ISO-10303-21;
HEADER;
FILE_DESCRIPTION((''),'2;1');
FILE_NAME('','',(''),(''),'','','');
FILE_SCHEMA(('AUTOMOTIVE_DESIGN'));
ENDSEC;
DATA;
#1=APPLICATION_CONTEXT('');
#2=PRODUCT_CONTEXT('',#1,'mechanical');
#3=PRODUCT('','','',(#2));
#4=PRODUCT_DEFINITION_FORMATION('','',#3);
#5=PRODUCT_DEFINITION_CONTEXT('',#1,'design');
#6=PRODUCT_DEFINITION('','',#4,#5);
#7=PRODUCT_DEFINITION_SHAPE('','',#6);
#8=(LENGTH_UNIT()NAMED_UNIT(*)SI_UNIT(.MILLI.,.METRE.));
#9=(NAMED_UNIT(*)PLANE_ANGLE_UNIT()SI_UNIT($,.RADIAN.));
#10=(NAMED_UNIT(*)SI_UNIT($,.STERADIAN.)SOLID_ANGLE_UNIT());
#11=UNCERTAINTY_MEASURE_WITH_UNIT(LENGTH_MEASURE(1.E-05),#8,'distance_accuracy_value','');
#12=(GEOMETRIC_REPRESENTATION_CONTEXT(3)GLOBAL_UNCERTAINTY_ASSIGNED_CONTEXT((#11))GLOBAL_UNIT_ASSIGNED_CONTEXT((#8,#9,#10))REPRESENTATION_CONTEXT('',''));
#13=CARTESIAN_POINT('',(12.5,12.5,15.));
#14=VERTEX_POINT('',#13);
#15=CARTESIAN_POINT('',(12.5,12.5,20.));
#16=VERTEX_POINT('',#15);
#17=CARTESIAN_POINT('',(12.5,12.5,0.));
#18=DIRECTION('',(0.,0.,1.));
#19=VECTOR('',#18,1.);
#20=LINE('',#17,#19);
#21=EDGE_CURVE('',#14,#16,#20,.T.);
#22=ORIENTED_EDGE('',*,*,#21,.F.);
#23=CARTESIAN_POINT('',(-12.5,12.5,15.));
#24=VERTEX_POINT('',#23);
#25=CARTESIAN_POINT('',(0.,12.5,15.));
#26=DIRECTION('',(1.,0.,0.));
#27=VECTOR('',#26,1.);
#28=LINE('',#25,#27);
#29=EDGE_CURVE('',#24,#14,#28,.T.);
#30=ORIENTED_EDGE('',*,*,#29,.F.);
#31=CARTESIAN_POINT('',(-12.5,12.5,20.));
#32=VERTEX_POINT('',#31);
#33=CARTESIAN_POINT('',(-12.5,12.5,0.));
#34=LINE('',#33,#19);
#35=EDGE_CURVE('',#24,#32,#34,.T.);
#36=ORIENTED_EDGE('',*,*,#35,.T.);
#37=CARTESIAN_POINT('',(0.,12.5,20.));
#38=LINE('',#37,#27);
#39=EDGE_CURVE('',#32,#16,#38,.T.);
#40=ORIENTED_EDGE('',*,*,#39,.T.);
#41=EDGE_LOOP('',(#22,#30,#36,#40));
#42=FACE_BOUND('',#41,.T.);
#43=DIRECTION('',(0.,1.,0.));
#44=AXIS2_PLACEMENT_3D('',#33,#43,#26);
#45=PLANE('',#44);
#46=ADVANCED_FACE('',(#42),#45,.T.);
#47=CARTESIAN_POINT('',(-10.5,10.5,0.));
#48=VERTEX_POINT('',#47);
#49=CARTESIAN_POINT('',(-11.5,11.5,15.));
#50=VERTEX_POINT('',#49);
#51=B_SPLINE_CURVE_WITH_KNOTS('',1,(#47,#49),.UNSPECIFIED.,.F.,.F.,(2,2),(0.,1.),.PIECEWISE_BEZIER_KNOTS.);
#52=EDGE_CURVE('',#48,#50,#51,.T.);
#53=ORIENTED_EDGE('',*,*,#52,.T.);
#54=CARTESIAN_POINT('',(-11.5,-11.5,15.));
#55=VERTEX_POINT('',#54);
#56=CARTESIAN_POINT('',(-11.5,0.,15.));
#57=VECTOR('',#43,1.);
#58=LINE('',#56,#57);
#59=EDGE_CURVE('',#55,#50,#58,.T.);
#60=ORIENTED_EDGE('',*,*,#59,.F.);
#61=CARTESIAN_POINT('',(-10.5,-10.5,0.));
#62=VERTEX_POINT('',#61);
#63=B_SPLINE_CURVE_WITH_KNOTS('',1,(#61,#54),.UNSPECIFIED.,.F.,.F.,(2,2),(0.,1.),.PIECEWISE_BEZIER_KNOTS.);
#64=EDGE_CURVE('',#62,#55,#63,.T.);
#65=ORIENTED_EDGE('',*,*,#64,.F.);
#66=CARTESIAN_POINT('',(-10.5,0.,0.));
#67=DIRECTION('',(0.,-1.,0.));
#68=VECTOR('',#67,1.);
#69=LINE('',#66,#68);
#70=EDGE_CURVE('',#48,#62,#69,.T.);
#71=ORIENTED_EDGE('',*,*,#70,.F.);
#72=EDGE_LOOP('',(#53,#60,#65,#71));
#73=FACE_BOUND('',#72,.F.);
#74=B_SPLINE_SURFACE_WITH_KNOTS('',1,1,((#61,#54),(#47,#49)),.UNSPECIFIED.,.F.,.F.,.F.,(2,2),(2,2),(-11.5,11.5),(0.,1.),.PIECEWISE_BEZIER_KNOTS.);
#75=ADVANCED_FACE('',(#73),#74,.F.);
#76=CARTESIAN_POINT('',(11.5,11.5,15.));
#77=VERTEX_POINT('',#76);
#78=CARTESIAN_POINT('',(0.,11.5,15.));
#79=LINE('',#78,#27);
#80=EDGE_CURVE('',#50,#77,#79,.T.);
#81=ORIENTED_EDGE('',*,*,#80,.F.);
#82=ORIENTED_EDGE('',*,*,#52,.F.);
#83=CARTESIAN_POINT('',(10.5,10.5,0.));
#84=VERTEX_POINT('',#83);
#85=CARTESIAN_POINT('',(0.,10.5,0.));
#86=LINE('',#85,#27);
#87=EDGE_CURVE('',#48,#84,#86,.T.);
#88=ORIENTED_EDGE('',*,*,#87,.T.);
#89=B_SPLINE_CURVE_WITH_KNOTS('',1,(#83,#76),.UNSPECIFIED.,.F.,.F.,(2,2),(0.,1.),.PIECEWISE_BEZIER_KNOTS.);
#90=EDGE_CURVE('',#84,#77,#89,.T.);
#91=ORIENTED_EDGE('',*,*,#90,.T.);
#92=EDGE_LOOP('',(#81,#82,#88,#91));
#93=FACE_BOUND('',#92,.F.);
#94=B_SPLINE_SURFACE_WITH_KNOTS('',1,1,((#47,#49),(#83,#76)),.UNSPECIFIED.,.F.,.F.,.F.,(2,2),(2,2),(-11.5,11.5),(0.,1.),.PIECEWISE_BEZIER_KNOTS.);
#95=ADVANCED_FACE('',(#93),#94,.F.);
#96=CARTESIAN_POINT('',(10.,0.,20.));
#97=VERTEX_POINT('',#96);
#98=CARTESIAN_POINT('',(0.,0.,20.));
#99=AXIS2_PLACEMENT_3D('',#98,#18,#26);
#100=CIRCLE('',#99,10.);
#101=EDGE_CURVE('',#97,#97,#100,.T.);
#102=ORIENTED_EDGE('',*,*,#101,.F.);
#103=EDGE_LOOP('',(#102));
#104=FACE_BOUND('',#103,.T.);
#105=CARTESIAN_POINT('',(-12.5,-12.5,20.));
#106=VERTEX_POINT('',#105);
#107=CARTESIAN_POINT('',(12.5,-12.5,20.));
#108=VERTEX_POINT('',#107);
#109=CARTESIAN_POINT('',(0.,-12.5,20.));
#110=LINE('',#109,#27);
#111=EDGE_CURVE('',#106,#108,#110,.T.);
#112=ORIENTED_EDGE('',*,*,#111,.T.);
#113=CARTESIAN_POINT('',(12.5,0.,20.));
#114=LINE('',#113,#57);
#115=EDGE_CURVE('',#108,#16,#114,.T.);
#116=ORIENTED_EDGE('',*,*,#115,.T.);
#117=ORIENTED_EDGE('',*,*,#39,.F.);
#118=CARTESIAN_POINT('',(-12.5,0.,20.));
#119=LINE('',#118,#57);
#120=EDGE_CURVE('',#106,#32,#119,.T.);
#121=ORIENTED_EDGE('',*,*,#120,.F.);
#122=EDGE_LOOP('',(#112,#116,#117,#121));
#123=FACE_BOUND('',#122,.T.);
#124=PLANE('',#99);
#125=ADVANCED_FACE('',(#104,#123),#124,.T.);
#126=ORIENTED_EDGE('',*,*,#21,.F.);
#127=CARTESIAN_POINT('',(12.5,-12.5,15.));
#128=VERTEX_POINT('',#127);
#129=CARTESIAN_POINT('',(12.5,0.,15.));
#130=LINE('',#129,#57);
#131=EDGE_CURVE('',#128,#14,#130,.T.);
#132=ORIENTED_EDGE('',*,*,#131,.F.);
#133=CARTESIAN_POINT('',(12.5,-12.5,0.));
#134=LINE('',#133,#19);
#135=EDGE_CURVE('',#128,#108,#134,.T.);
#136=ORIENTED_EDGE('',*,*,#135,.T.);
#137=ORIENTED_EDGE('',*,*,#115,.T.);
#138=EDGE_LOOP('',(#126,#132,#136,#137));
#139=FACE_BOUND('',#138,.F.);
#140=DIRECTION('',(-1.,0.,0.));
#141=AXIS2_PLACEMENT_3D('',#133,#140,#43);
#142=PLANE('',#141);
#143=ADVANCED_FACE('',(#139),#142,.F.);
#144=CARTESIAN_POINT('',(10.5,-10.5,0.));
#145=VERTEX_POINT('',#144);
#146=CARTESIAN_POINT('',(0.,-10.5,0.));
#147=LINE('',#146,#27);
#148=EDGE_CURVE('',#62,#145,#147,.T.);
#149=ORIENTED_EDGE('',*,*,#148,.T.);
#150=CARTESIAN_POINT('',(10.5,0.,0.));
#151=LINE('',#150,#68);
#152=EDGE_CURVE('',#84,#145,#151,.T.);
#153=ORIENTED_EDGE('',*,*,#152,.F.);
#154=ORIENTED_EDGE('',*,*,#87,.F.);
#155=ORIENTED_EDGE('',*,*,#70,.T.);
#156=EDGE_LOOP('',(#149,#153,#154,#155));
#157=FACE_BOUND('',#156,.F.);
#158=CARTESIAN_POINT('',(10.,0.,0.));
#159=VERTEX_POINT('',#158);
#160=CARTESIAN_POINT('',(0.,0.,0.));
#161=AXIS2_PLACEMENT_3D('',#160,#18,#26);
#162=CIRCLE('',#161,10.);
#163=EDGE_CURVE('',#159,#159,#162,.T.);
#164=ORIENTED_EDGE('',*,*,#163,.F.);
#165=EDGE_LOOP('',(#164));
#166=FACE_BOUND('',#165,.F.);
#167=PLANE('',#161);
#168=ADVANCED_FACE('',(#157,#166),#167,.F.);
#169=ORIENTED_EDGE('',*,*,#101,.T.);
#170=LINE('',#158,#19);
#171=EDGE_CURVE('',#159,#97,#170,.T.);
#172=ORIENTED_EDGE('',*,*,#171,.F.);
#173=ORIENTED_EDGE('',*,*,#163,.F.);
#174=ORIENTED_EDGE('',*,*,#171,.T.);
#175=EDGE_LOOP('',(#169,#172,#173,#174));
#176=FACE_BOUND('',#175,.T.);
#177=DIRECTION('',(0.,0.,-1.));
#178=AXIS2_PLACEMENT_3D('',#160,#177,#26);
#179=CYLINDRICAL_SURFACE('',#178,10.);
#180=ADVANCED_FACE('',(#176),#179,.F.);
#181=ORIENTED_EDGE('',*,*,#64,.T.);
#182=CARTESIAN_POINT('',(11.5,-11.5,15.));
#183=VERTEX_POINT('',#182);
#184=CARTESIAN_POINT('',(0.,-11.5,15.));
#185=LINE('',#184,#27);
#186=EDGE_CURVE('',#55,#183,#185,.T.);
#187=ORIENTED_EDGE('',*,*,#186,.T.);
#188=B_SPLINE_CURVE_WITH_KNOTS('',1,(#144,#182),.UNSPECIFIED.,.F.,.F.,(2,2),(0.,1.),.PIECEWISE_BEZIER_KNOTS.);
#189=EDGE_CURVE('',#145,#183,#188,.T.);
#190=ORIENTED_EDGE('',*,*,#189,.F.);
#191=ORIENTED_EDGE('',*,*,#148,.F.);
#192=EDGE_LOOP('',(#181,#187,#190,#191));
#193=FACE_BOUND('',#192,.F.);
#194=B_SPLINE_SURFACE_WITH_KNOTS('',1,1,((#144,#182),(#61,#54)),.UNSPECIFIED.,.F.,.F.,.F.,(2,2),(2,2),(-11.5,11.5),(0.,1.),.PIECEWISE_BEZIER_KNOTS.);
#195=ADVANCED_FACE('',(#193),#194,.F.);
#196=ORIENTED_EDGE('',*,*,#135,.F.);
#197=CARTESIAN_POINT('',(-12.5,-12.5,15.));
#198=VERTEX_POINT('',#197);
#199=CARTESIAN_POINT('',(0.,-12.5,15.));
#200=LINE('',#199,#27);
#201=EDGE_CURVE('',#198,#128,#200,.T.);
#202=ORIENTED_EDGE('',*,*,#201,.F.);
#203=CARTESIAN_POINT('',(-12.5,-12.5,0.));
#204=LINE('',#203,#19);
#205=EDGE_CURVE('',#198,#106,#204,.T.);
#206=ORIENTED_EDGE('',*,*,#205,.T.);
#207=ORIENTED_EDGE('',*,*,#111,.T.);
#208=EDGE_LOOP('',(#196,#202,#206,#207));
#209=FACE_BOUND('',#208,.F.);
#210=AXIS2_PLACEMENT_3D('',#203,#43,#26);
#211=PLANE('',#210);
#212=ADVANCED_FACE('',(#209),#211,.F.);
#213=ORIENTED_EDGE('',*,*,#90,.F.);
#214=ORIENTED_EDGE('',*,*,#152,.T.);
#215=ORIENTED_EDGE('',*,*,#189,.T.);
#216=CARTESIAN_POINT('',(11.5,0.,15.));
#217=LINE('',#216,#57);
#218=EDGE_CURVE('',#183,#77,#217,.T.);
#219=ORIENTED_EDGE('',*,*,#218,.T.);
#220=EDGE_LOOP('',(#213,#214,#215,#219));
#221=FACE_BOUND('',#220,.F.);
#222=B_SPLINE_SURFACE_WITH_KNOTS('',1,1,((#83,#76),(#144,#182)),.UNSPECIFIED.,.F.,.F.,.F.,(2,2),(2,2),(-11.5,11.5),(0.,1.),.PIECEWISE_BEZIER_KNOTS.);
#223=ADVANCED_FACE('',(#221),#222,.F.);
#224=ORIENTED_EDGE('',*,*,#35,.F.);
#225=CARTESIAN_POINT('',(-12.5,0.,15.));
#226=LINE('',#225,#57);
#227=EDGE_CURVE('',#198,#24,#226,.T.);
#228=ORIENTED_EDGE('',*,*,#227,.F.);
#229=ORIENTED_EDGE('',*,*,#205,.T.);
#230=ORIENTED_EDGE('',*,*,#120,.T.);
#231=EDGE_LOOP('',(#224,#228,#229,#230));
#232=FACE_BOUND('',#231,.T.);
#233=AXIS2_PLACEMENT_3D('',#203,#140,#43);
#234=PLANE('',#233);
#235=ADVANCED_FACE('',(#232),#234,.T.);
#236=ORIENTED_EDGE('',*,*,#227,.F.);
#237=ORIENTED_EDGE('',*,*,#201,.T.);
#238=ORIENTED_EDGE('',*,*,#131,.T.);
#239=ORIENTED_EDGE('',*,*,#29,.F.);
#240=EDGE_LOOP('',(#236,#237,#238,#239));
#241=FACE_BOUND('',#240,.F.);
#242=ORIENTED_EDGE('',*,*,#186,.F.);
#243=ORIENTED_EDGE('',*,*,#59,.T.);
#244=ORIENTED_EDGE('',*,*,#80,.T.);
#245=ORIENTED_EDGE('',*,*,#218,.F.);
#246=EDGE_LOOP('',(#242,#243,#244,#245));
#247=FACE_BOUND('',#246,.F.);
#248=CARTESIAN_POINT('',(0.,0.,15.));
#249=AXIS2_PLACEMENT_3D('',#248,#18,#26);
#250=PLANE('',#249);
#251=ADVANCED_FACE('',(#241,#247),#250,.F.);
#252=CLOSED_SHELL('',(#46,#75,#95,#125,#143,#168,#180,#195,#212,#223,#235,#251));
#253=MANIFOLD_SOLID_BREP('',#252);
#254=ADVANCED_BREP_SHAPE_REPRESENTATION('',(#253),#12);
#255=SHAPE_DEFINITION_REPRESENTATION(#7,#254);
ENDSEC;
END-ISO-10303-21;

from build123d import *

# Parameters (mm, degrees)
SKETCH_W       = 25
SKETCH_H       = 25
PAD_DEPTH      = 15
SKETCH002_W    = 21
SKETCH002_H    = 21
SKETCH001_W    = 23
SKETCH001_H    = 23
SKETCH004_W    = 25
SKETCH004_H    = 25
PAD001_DEPTH   = 20
CYLINDER_R     = 10
CYLINDER_DEPTH = 20


with BuildPart() as body:
    # Sketch → Pad (new body)
    with BuildSketch(Plane.XY):
        Rectangle(SKETCH_W, SKETCH_H)
    extrude(amount=PAD_DEPTH)

    # Sketch002 (on Face5 of Pad) → SubtractiveLoft section 0
    with BuildSketch(Plane(origin=(0, 0, 0), x_dir=(1, 0, 0), z_dir=(0, 0, -1))):
        Rectangle(SKETCH002_W, SKETCH002_H)
    # Sketch001 (on Face6 of Pad) → SubtractiveLoft section 1
    with BuildSketch(Plane.XY.offset(15)):
        Rectangle(SKETCH001_W, SKETCH001_H)
    loft(mode=Mode.SUBTRACT)


with BuildPart() as body001:
    # Sketch004 → Pad001 (new body)
    with BuildSketch(Plane.XY):
        Rectangle(SKETCH004_W, SKETCH004_H)
    extrude(amount=PAD001_DEPTH)

    # Boolean: cut Body
    add(body.part, mode=Mode.SUBTRACT)

    # Cylinder → Cylinder (cut)
    with BuildSketch(Plane.XY):
        Circle(CYLINDER_R)
    extrude(amount=CYLINDER_DEPTH, mode=Mode.SUBTRACT)


solid = body001.part
